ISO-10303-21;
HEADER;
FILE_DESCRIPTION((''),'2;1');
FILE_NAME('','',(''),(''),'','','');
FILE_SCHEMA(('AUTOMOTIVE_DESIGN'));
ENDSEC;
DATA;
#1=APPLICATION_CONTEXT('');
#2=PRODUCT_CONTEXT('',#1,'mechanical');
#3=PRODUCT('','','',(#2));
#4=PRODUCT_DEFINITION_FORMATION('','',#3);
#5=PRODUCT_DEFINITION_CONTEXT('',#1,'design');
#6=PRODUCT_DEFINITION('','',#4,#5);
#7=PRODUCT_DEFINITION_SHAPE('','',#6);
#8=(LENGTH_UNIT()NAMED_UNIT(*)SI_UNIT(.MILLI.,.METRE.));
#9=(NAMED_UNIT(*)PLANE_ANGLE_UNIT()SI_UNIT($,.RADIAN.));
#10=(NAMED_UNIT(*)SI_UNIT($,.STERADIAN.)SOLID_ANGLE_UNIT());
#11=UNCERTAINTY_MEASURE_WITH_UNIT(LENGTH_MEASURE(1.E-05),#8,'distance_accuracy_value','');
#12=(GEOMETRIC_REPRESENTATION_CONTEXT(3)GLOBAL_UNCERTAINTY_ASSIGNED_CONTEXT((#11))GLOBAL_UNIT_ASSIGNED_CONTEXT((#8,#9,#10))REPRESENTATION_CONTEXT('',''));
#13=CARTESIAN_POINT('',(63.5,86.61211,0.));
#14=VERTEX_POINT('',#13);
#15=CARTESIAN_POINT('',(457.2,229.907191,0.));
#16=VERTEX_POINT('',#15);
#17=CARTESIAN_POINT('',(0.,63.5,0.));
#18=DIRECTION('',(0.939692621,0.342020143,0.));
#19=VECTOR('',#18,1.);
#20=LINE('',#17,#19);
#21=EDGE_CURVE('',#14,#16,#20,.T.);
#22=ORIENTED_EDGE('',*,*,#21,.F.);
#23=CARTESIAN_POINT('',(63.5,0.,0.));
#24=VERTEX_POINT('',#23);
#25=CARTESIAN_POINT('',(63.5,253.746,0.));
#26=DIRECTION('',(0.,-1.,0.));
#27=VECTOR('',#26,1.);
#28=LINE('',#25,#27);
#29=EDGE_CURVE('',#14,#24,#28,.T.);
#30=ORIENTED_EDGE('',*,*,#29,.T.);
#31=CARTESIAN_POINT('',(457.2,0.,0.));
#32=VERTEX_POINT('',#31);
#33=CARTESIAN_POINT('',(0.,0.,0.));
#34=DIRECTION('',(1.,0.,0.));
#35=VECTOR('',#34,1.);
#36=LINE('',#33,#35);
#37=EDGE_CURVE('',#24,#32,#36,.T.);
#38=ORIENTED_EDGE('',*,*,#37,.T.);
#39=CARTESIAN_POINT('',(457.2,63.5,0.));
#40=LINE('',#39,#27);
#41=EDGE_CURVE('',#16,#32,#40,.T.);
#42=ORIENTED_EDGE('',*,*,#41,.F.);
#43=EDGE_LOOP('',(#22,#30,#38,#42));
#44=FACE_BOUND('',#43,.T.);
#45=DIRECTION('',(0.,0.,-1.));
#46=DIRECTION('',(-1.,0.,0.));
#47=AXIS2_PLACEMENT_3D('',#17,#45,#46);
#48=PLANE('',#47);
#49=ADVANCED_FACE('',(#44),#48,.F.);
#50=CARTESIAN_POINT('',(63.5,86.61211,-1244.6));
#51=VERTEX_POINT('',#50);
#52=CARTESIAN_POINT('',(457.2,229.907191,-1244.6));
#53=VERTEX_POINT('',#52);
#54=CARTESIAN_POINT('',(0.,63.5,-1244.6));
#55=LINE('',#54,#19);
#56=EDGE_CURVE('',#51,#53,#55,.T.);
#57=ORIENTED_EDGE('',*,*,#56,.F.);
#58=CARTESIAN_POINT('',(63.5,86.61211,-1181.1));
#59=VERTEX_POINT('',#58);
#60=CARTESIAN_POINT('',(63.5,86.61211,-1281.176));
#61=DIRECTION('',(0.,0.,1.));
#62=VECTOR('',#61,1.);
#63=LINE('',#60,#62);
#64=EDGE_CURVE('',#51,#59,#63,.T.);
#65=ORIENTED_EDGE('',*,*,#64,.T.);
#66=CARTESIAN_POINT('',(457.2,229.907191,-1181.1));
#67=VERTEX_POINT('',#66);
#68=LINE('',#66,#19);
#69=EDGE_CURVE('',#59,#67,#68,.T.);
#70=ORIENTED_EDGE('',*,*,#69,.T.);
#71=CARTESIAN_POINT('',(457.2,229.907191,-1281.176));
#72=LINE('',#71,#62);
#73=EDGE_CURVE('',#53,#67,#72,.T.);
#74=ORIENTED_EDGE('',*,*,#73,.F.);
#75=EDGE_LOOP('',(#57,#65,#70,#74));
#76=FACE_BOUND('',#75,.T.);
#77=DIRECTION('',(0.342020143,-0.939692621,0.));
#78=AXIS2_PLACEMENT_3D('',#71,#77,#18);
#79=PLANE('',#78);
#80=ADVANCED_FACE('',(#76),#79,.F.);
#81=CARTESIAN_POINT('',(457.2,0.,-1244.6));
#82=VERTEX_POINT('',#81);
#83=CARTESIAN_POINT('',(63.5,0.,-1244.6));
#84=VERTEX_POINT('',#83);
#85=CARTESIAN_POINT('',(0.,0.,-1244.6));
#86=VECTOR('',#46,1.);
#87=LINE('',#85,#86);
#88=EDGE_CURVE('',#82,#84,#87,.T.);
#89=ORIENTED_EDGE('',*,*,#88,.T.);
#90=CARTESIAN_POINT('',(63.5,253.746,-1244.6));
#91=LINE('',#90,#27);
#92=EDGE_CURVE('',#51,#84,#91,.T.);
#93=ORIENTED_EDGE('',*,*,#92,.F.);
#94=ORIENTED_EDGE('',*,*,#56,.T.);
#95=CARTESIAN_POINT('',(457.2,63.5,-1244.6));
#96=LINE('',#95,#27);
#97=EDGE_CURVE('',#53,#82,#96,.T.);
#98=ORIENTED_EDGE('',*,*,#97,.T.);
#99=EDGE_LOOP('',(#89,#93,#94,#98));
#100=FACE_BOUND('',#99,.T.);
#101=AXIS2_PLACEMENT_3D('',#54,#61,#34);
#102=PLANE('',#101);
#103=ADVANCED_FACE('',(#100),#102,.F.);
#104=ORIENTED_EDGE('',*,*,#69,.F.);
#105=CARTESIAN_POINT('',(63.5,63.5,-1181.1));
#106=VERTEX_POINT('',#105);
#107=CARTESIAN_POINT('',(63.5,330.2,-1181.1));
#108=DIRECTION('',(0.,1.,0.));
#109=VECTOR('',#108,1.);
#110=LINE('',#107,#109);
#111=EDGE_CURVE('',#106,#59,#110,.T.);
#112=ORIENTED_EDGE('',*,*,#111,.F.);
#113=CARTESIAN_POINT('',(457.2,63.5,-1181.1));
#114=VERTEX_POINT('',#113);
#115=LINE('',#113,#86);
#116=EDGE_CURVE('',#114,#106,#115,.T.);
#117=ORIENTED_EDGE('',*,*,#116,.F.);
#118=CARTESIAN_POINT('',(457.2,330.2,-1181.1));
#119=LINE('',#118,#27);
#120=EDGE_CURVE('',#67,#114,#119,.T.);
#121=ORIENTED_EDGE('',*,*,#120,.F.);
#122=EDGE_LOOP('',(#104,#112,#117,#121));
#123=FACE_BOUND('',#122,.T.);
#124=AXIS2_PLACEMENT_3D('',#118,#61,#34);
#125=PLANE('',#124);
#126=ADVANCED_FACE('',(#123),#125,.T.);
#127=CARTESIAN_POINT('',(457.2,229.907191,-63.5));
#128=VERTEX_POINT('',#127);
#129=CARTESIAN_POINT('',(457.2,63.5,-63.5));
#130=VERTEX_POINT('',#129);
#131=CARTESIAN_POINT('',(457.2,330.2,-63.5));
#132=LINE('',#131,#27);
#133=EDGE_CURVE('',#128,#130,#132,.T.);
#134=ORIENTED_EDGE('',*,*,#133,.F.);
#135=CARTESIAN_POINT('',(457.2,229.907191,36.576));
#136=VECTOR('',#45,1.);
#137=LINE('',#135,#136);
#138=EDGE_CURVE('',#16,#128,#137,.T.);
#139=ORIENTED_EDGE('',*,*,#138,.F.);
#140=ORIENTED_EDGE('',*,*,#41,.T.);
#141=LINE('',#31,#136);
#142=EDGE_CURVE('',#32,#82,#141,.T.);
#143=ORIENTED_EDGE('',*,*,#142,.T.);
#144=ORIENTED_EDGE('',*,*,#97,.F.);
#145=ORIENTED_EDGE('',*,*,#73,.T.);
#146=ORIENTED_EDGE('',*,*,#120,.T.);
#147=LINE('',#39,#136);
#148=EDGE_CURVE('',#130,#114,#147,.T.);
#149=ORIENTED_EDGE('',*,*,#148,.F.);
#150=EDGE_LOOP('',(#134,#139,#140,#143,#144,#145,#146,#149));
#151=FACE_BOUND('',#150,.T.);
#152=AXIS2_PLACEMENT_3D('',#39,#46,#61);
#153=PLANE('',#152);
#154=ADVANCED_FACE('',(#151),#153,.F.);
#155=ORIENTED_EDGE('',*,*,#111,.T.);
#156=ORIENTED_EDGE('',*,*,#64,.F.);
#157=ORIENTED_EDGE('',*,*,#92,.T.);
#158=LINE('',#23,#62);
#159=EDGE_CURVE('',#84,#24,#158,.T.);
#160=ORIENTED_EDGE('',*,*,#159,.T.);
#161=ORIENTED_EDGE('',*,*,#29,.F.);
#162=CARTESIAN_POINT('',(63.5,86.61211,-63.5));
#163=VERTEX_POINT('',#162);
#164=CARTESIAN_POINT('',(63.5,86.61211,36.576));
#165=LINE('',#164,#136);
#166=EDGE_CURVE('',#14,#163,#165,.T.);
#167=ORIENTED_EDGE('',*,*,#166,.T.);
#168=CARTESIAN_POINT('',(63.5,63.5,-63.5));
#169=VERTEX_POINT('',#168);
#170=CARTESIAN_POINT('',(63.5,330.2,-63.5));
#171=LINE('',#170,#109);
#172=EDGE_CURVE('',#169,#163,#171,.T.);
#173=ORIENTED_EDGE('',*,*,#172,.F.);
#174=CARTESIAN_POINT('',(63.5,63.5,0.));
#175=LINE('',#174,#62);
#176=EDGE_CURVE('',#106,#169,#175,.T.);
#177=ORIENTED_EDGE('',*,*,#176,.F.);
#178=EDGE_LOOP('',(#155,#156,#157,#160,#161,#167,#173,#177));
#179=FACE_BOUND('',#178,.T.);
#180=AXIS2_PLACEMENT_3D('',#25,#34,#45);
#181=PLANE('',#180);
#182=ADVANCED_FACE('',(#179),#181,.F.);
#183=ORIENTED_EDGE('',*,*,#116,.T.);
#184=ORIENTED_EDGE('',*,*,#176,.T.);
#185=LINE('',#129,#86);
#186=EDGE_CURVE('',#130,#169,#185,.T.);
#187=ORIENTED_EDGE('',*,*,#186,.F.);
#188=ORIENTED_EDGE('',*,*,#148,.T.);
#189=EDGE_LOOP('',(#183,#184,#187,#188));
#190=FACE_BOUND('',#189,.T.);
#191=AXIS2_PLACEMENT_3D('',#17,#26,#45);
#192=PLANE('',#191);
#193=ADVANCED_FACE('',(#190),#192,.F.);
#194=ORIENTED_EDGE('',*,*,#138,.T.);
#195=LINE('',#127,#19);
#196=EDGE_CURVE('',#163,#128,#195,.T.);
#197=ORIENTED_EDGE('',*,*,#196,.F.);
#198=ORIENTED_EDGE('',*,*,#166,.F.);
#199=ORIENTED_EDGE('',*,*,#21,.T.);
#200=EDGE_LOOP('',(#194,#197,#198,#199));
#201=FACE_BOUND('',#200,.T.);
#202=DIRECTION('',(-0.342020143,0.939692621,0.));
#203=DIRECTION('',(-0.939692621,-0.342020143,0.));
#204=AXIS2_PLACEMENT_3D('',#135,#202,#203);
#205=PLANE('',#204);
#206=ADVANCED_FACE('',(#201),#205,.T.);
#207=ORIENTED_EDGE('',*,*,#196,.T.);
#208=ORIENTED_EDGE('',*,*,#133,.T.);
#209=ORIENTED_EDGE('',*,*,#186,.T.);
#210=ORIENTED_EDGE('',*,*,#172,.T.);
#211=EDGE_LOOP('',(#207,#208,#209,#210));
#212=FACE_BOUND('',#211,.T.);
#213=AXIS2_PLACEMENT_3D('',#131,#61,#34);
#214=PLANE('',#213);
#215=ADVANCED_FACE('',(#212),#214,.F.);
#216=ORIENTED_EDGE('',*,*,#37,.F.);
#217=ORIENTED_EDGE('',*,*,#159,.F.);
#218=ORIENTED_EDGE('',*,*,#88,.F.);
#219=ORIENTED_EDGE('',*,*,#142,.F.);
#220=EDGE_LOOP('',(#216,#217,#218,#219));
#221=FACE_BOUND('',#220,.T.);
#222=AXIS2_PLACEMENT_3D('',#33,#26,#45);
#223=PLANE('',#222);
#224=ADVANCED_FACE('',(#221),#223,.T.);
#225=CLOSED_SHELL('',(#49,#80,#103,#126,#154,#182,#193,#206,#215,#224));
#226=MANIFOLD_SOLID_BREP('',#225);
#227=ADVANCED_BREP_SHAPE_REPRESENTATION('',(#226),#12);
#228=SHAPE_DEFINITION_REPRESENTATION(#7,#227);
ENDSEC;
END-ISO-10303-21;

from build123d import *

# Parameters (mm, degrees)
SKETCH1_W           = 457.2
SKETCH1_H           = 1244.6
BOSS_EXTRUDE1_DEPTH = 63.5
SKETCH4_W           = 457.2
SKETCH4_H           = 63.5
BOSS_EXTRUDE2_DEPTH = 266.7
CUT_EXTRUDE7_DEPTH  = 100.076
SKETCH12_W          = 63.5
SKETCH12_H          = 1244.6
CUT_EXTRUDE8_DEPTH  = 253.746


with BuildPart() as part:
    # Sketch1 → Boss-Extrude1 (new body)
    with BuildSketch(Plane(origin=(0, 0, 0), x_dir=(1, 0, 0), z_dir=(0, 1, 0))):
        with Locations((228.6, 622.3)):
            Rectangle(SKETCH1_W, SKETCH1_H)
    extrude(amount=BOSS_EXTRUDE1_DEPTH)

    # Sketch4 → Boss-Extrude2 (add)
    with BuildSketch(Plane(origin=(0, 63.5, 0), x_dir=(1, 0, 0), z_dir=(0, 1, 0))):
        with Locations((228.6, 1212.85)):
            Rectangle(SKETCH4_W, SKETCH4_H)
    boss_extrude2 = extrude(amount=BOSS_EXTRUDE2_DEPTH)

    # Mirror7: Boss-Extrude2 across plane
    add(boss_extrude2.mirror(Plane(origin=(0, 0, -622.3), x_dir=(1, 0, 0), z_dir=(0, 0, -1))))

    # Sketch11 → Cut-Extrude7 (cut)
    with BuildSketch(Plane.XY.offset(-1181.1)):
        Polygon((0, 63.5), (0, 330.2), (457.2, 330.2), (457.2, 229.907191107), align=None)
    cut_extrude7 = extrude(amount=-CUT_EXTRUDE7_DEPTH, mode=Mode.SUBTRACT)

    # Mirror8: Cut-Extrude7 across plane
    add(cut_extrude7.mirror(Plane(origin=(0, 0, -622.3), x_dir=(1, 0, 0), z_dir=(0, 0, -1))), mode=Mode.SUBTRACT)

    # Sketch12 → Cut-Extrude8 (cut)
    with BuildSketch(Plane.XZ):
        with Locations((31.75, -622.3)):
            Rectangle(SKETCH12_W, SKETCH12_H)
    extrude(amount=-CUT_EXTRUDE8_DEPTH, mode=Mode.SUBTRACT)


solid = part.part
